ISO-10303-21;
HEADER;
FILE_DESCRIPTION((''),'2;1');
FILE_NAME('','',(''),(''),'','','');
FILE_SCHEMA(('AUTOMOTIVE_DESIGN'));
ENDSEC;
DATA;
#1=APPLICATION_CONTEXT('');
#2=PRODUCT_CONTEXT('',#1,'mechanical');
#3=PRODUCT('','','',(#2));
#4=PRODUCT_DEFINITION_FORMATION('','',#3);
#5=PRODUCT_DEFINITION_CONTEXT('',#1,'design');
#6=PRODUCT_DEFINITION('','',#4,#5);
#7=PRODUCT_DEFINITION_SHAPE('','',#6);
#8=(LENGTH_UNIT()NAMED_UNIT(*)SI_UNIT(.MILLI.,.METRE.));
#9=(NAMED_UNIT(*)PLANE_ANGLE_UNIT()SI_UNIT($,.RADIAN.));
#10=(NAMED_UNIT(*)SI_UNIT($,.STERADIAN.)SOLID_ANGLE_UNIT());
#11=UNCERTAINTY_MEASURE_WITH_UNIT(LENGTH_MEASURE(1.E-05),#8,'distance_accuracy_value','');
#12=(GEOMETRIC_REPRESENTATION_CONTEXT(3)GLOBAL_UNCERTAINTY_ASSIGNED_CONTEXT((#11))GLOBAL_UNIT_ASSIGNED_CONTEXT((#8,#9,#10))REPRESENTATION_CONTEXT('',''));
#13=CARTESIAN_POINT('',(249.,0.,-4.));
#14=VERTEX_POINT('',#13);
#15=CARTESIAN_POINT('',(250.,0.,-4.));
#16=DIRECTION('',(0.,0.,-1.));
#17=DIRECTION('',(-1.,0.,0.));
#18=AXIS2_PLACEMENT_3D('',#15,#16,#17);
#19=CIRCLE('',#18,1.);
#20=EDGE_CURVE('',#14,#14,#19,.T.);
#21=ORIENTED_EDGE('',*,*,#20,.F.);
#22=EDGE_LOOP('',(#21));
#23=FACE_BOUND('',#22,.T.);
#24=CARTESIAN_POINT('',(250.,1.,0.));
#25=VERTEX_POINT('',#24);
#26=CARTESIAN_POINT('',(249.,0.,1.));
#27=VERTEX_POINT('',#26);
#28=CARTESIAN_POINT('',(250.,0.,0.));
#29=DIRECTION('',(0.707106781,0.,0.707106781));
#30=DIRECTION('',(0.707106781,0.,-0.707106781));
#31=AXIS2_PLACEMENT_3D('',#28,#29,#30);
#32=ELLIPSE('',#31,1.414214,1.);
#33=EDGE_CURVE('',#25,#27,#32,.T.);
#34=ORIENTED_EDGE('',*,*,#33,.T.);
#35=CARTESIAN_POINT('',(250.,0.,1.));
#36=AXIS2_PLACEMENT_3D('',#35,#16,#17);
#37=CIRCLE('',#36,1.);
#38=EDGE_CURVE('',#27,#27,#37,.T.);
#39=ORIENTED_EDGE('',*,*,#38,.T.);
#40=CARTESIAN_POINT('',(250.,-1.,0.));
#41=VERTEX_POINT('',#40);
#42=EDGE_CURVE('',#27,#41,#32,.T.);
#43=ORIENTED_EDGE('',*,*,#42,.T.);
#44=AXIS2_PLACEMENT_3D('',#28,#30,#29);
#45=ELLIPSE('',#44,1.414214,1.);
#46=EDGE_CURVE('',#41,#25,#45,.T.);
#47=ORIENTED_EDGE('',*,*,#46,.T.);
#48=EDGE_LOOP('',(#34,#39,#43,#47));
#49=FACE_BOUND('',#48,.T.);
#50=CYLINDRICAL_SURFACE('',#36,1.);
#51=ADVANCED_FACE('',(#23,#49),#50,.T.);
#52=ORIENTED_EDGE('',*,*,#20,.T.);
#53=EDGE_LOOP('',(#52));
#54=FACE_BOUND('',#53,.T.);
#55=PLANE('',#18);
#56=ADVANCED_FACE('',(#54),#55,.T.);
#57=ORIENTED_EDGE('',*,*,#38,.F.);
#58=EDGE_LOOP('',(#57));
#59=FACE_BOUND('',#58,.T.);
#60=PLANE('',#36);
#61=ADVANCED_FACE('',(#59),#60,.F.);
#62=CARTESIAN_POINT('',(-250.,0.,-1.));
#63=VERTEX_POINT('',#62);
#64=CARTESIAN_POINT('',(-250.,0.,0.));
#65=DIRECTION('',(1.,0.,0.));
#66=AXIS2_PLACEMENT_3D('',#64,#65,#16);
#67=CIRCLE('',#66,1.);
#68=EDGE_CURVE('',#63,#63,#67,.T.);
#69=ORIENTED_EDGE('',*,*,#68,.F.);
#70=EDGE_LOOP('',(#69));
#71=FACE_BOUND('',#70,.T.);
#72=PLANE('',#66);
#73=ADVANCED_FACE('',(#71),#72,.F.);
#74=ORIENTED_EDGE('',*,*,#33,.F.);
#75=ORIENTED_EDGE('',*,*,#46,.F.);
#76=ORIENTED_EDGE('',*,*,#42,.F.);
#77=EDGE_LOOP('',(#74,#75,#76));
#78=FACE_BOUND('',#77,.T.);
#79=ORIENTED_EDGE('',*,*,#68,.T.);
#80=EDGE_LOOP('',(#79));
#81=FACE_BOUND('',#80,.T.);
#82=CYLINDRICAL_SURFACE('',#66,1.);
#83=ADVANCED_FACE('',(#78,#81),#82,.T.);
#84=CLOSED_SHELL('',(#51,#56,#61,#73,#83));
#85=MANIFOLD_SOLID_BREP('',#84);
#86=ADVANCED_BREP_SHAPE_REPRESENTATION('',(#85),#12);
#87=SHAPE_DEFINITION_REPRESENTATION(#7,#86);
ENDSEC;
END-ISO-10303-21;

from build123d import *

# Parameters (mm, degrees)
BALAYAGE1_PROFILE_R = 1
BALAYAGE2_PROFILE_R = 1


with BuildPart() as part:
    # Balayage1: sweep along a path in Esquisse1
    with BuildLine(Plane.XY) as balayage1_path:
        Line((-250, 0), (250, 0))
    # Balayage1 profile (on start of the path) → Balayage1 (sweep)
    with BuildSketch(Plane(origin=(-250, 0, 0), x_dir=(0, 0, 1), z_dir=(1, 0, 0))):
        Circle(BALAYAGE1_PROFILE_R)
    sweep(path=balayage1_path.line)

    # Balayage2: sweep along a path in Esquisse16
    with BuildLine(Plane(origin=(250, 0, 0), x_dir=(0, 0, -1), z_dir=(1, 0, 0))) as balayage2_path:
        Line((-1, 0), (4, 0))
    # Balayage2 profile (on start of the path) → Balayage2 (sweep)
    with BuildSketch(Plane(origin=(250, 0, 1), x_dir=(-1, 0, 0), z_dir=(0, 0, -1))):
        Circle(BALAYAGE2_PROFILE_R)
    sweep(path=balayage2_path.line)


solid = part.part
